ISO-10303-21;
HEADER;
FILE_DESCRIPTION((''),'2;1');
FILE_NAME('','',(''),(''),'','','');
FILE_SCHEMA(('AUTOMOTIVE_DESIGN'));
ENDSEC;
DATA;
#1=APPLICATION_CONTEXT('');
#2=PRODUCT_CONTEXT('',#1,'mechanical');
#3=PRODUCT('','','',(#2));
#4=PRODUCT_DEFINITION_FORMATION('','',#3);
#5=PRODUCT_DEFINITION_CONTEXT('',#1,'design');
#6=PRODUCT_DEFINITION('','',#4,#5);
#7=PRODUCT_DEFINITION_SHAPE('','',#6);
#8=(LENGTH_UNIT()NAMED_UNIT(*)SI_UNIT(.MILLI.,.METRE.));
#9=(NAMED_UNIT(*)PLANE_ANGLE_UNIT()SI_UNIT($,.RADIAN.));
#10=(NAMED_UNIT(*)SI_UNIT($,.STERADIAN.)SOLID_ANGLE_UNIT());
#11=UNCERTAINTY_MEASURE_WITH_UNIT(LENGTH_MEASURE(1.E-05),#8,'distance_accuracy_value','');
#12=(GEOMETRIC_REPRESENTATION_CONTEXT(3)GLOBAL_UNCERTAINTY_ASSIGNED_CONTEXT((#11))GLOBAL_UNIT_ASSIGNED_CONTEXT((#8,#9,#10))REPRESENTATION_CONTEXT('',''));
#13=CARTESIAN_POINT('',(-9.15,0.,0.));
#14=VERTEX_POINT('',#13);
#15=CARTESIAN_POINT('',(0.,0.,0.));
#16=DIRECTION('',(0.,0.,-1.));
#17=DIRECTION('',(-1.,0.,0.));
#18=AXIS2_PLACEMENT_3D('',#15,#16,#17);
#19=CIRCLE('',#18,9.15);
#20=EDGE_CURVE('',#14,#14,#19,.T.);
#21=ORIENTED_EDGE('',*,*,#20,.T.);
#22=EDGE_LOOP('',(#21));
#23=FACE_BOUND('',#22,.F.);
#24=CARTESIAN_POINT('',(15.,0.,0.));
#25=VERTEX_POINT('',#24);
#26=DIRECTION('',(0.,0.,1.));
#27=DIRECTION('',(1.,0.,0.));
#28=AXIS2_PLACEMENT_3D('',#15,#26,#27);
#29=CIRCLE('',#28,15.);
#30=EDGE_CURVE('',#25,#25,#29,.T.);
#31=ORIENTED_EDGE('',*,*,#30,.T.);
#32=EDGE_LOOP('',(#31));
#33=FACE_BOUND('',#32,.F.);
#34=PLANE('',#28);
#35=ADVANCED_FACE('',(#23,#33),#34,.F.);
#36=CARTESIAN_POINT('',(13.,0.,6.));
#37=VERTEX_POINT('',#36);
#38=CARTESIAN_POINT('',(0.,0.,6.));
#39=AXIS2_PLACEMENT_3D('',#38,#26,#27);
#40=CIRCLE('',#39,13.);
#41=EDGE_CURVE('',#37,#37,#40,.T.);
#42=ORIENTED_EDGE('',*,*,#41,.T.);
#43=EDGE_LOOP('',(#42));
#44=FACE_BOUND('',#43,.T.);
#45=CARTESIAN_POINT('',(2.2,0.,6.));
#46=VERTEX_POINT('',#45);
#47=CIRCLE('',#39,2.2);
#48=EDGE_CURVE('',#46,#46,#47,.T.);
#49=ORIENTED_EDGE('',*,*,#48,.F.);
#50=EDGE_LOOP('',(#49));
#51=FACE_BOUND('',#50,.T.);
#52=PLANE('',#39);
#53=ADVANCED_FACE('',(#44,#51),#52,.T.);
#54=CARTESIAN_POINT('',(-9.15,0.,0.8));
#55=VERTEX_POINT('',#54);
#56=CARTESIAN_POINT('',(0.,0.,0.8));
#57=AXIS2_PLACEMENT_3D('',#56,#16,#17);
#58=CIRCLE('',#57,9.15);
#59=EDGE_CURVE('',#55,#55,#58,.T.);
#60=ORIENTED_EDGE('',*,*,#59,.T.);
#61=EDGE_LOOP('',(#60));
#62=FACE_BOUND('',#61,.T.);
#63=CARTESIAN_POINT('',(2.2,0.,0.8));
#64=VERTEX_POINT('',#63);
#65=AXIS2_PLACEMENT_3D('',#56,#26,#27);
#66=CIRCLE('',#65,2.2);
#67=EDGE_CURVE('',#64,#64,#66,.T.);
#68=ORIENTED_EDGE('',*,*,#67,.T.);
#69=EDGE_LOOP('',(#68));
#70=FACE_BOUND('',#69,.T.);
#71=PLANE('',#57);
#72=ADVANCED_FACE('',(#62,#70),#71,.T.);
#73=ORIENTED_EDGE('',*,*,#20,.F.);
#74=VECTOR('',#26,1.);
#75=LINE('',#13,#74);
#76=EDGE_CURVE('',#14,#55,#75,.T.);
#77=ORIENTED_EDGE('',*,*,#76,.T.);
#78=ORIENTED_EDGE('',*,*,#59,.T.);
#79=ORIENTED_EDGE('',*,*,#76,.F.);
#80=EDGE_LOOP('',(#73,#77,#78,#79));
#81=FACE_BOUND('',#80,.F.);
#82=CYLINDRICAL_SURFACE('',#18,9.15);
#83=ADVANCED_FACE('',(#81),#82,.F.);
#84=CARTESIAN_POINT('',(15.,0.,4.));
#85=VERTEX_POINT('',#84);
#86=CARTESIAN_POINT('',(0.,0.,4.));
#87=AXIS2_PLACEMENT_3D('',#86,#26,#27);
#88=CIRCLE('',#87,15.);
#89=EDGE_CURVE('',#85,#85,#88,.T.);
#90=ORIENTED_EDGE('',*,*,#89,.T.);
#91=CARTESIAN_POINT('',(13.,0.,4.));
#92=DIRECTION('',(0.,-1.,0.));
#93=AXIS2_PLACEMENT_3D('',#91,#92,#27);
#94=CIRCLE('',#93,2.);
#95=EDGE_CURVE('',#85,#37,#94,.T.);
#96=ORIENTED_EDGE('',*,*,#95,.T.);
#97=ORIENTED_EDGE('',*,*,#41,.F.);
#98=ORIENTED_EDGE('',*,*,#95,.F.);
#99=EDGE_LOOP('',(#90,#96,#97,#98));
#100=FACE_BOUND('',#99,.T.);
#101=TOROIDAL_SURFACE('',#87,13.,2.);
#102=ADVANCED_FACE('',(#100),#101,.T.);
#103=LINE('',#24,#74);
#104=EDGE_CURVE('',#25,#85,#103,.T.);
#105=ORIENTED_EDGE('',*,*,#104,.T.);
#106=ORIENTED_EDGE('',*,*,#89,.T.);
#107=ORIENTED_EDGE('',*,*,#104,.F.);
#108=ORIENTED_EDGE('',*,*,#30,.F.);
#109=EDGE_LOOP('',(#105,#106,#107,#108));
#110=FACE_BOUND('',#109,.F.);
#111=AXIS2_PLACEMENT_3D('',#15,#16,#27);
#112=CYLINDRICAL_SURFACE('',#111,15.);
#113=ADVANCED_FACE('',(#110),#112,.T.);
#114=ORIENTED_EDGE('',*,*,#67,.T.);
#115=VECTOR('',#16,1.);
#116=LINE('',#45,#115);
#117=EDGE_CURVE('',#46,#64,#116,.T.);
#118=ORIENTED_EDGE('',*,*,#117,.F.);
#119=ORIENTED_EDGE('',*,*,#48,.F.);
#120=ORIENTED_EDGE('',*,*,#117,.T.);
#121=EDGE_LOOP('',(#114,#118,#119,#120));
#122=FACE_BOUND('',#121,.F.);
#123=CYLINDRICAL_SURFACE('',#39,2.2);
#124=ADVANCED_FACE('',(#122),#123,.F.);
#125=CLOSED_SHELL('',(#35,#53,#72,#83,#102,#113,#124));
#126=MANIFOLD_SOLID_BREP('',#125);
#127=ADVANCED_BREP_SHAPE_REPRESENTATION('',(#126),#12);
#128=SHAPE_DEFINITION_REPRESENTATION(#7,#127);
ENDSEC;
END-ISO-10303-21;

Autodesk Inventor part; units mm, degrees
ref_plane "YZ Plane" through (0, 0, 0) normal (1, 0, 0) x (0, 1, 0)
ref_plane "XZ Plane" through (0, 0, 0) normal (0, 1, 0) x (-1, 0, 0)
ref_plane "XY Plane" through (0, 0, 0) normal (0, 0, 1) x (1, 0, 0)
sketch "Эскиз1" plane through (0, 0, 0) normal (0, 0, 1) x (1, 0, 0)
  circle A0 centre (0, 0) radius 15
  circle A1 centre (0, 6.5) radius 1.35 construction
  circle A2 centre (-5.6292, -3.25) radius 1.35 construction
  circle A3 centre (5.6292, -3.25) radius 1.35 construction
  circle A4 centre (0, 0) radius 1.1
  dimension "d0" = 30
  dimension "d1" = 2.7
  dimension "d2" = 6.5
  dimension "d5" = 360
  dimension "d21" = 2.2
extrude "Выдавливание1" add sketch "Эскиз1" along normal blind 6 contours A0 | A4
fillet "Сопряжение1" radius 2 1 edges at (-15, 0, 6)
sketch "Эскиз4" plane through (0, 0, 6) normal (0, 0, 1) x (1, 0, 0)
  circle A0 centre (0, 0) radius 2.2
  dimension "d22" = 4.4
extrude "Выдавливание4" cut sketch "Эскиз4" against normal blind 10
sketch "Эскиз5" plane through (0, 0, 0) normal (0, 0, -1) x (-1, 0, 0)
  circle A0 centre (0, 0) radius 9.15
  dimension "d28" = 18.3
extrude "Выдавливание5" cut sketch "Эскиз5" against normal blind 0.8
properties part number "крышка"
